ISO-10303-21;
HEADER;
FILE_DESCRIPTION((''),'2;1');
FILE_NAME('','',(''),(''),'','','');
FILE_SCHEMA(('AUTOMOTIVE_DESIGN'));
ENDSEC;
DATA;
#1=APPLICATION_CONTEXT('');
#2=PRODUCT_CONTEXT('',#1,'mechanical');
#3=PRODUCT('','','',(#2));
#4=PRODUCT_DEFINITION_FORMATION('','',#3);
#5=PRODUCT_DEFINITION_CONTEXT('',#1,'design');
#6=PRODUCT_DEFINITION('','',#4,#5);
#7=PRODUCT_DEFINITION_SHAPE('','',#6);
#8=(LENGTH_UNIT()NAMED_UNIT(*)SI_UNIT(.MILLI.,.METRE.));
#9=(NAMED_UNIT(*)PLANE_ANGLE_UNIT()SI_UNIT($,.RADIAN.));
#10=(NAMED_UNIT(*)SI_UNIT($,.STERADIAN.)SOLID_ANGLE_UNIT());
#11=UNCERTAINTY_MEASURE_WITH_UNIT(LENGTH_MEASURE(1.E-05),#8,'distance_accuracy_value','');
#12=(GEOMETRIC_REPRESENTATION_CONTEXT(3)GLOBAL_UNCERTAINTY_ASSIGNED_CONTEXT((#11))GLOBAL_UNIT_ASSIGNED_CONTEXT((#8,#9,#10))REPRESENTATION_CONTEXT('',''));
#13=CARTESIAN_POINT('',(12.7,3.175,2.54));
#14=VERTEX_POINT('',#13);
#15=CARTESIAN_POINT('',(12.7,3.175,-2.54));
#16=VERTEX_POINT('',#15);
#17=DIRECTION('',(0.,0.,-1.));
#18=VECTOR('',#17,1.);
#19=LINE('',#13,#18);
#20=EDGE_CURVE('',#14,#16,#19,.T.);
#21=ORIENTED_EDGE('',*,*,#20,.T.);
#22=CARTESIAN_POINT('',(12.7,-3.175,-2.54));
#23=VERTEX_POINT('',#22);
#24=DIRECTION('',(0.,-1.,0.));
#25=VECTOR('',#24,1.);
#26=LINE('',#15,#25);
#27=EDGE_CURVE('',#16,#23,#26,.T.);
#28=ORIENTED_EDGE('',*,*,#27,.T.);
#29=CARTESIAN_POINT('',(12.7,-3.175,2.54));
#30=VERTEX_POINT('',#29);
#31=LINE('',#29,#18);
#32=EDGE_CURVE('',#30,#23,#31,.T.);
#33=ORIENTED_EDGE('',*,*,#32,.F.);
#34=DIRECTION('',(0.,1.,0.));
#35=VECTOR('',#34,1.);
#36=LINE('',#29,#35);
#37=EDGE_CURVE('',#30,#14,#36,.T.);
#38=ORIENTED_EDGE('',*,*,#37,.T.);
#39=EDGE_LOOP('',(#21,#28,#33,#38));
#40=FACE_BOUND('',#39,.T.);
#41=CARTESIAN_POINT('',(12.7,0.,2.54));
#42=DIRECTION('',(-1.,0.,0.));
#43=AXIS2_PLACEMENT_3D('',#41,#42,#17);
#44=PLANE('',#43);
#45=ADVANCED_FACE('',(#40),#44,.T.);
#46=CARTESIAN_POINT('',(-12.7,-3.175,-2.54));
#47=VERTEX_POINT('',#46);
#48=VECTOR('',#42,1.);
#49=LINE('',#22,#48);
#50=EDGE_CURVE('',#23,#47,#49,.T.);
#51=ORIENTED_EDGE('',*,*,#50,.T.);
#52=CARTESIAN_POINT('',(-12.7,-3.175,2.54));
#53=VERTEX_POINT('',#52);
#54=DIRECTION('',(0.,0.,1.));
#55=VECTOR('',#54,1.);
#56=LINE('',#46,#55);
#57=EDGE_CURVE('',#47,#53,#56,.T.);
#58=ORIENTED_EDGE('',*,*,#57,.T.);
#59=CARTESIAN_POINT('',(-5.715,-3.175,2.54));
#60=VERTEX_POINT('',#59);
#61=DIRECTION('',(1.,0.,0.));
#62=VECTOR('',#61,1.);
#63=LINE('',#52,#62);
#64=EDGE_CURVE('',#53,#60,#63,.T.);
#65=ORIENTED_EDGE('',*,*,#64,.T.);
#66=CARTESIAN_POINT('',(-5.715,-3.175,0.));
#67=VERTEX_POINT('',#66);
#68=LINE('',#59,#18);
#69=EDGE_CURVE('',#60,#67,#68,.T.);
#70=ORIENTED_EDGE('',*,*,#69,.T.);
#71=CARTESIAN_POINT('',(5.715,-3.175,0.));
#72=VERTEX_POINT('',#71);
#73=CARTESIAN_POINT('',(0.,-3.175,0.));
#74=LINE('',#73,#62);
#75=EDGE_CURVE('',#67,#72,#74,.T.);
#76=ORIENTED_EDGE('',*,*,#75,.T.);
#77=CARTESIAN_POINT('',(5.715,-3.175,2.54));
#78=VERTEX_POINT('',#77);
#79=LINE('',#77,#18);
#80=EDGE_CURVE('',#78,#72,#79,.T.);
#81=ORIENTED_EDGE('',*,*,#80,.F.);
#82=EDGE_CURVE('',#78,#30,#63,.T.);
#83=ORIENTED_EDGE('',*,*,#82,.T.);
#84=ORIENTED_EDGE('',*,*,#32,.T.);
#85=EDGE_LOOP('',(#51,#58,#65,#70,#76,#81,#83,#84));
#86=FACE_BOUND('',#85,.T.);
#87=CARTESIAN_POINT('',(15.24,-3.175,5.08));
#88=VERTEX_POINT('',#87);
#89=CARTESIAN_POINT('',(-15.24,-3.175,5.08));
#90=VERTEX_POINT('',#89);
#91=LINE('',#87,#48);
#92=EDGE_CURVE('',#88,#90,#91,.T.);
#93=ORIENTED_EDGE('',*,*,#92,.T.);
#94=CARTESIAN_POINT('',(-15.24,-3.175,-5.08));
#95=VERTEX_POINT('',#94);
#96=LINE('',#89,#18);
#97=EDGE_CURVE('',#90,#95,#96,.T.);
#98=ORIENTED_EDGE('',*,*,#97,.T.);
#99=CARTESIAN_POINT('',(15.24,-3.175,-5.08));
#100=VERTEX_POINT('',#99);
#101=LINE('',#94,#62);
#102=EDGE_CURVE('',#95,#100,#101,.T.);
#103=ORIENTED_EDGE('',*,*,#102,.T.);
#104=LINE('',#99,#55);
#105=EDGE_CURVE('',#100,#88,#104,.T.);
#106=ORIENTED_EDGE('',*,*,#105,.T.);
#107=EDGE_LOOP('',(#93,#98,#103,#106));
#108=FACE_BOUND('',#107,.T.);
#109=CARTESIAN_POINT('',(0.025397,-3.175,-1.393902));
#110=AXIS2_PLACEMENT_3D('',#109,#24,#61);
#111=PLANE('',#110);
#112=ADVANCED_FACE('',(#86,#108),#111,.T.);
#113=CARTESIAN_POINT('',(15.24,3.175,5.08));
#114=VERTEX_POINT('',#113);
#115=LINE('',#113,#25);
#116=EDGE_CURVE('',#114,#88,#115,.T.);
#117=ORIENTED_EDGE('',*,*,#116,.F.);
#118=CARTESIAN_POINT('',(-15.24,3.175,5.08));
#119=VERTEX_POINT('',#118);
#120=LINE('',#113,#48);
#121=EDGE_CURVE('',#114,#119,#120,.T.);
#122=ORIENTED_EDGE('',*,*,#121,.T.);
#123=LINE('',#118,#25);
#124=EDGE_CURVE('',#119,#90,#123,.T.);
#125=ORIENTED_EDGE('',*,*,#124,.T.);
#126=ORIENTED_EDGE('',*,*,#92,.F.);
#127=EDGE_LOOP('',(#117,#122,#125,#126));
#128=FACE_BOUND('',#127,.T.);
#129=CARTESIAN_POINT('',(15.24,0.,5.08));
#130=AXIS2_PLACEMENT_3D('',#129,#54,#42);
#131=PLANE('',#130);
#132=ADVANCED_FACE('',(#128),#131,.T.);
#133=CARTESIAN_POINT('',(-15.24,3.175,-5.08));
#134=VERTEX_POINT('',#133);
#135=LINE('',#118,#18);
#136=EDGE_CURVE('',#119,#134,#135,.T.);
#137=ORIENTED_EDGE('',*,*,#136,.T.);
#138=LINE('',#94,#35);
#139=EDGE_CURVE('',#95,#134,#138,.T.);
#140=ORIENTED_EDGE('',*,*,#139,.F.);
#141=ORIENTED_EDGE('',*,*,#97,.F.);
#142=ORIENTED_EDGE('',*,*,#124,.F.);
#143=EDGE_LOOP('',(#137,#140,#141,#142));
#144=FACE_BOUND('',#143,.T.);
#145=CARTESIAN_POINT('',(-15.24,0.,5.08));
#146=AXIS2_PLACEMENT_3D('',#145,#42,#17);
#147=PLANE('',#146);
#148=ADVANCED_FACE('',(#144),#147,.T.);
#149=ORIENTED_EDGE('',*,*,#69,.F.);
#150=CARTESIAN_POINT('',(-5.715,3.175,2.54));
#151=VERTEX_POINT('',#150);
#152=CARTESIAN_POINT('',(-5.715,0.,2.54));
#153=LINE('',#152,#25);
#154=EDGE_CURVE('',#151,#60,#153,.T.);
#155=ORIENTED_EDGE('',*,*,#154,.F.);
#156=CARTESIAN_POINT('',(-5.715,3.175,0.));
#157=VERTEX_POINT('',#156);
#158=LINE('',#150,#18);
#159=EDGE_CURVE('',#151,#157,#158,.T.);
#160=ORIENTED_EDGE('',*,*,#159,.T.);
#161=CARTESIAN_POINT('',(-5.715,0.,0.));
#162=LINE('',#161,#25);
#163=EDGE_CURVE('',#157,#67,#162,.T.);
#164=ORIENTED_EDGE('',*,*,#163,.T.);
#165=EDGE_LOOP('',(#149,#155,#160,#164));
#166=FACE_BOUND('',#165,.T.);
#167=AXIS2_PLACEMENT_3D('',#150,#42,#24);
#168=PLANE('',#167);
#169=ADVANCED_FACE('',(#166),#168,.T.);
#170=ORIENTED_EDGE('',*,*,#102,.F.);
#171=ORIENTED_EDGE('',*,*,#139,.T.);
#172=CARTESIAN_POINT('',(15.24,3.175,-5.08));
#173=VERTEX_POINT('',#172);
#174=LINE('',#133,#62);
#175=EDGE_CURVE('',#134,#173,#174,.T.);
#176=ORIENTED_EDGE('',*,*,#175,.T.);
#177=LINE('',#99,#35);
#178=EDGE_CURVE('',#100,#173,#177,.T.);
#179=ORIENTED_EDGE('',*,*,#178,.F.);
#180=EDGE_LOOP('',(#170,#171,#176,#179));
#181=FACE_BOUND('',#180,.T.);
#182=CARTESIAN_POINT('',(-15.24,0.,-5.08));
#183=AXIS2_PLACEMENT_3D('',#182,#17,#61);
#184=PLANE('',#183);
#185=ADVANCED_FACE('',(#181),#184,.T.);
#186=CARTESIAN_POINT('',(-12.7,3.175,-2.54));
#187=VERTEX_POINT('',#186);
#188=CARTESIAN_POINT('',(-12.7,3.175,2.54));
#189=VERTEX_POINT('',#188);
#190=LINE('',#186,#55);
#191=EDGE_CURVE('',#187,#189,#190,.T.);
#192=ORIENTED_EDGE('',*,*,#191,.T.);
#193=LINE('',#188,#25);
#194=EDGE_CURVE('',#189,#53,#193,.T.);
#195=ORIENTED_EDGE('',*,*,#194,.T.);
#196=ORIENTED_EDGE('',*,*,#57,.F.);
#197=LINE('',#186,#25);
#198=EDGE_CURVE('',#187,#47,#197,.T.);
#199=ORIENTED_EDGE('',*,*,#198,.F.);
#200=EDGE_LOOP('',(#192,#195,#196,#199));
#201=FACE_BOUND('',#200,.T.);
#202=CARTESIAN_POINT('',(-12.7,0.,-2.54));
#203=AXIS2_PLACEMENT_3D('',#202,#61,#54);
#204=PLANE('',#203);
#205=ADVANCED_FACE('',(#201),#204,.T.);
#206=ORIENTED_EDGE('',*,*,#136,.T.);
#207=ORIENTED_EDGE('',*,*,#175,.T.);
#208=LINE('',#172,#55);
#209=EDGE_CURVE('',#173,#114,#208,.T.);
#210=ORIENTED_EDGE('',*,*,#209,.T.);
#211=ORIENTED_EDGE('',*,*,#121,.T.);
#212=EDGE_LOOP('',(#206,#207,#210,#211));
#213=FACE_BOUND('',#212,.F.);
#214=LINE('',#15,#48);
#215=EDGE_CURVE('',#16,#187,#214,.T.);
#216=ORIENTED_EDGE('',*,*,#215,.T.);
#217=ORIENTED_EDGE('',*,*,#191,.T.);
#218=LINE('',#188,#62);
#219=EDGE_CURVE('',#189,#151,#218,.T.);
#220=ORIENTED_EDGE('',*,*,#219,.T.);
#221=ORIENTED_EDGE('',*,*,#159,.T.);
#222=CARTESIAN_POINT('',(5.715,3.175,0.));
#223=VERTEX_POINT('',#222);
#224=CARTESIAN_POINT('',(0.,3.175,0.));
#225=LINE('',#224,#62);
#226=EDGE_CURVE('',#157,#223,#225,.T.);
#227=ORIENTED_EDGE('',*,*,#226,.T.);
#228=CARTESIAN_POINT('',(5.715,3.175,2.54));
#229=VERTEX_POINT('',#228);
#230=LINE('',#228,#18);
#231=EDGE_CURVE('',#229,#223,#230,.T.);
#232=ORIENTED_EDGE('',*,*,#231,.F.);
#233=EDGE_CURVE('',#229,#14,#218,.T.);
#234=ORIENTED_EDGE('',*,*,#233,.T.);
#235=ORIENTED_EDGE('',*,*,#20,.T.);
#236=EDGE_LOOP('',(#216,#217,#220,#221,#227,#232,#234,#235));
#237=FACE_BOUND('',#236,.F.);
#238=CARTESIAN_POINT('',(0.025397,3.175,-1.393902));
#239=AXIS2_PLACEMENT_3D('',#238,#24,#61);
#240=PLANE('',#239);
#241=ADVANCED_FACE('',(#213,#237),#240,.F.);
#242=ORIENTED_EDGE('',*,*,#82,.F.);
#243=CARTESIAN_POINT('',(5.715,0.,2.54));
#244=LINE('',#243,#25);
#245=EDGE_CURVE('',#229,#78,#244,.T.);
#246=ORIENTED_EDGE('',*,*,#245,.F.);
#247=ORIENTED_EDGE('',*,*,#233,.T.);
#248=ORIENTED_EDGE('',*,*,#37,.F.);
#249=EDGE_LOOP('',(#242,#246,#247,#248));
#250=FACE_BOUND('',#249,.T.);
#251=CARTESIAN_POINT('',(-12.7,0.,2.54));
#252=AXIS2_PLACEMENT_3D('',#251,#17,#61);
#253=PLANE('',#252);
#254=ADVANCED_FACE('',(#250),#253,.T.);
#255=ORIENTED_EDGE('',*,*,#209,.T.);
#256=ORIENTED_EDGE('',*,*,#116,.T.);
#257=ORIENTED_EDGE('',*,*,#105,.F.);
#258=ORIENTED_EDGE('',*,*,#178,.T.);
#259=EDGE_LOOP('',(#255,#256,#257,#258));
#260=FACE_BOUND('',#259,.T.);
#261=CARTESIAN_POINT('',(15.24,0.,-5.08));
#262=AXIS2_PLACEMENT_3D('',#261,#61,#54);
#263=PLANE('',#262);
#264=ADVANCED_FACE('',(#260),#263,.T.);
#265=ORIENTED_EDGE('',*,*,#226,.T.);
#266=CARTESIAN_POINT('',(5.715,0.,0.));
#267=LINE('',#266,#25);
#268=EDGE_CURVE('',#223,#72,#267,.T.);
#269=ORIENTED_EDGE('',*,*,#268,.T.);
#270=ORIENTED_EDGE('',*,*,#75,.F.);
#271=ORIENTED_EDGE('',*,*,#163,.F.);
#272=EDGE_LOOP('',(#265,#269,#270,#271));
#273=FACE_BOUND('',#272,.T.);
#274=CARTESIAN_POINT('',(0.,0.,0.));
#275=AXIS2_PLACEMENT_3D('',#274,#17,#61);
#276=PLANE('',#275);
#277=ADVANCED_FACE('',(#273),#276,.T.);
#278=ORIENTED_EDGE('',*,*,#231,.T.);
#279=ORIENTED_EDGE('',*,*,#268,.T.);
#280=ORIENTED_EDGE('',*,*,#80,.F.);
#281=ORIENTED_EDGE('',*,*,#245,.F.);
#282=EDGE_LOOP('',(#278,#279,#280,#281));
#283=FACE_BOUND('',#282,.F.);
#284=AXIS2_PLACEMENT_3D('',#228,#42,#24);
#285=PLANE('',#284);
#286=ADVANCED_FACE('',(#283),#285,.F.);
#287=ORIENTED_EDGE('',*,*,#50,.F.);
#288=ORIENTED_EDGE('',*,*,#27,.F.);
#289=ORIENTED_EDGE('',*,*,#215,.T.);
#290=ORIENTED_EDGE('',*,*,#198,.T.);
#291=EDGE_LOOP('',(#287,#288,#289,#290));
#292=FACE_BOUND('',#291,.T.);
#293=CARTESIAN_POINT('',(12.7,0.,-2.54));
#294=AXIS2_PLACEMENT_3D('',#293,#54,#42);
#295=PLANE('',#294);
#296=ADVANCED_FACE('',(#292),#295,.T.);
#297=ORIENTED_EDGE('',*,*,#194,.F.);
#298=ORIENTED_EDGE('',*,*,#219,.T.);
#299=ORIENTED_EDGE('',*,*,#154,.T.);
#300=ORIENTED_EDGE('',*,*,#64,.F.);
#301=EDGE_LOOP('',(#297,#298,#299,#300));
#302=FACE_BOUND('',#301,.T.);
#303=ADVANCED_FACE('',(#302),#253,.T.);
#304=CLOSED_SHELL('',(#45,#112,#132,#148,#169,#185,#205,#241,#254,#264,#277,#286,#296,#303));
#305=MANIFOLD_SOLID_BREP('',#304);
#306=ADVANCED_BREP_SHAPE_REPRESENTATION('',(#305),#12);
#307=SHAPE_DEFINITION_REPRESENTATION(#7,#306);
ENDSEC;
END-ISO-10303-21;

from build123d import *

# Parameters (mm, degrees)
F0_W     = 21.59
F0_H     = 2.54
F1_DEPTH = 3.175
F2_W     = 11.43
F2_H     = 6.35
F3_DEPTH = 2.54


with BuildPart() as f1:
    # F0 (on Front) → F1 (new body, symmetric)
    with BuildSketch(Plane.XZ):
        Polygon((15.24, -5.08), (15.24, 5.08), (10.725581, 5.08), (10.725581, 2.54), (12.7, 2.54), (12.7, -2.54), (-12.7, -2.54), (-12.7, 2.54), (-10.864419, 2.54), (-10.864419, 5.08), (-15.24, 5.08), (-15.24, -5.08), align=None)
        with Locations((-0.069419, 3.81)):
            Rectangle(F0_W, F0_H)
    extrude(amount=F1_DEPTH, both=True)

    # F2 (on face) → F3 (join)
    with BuildSketch(Plane(origin=(0, 0, 2.54), x_dir=(1, 0, 0), z_dir=(0, 0, -1))):
        Rectangle(F2_W, F2_H)
    extrude(amount=F3_DEPTH)


solid = f1.part
